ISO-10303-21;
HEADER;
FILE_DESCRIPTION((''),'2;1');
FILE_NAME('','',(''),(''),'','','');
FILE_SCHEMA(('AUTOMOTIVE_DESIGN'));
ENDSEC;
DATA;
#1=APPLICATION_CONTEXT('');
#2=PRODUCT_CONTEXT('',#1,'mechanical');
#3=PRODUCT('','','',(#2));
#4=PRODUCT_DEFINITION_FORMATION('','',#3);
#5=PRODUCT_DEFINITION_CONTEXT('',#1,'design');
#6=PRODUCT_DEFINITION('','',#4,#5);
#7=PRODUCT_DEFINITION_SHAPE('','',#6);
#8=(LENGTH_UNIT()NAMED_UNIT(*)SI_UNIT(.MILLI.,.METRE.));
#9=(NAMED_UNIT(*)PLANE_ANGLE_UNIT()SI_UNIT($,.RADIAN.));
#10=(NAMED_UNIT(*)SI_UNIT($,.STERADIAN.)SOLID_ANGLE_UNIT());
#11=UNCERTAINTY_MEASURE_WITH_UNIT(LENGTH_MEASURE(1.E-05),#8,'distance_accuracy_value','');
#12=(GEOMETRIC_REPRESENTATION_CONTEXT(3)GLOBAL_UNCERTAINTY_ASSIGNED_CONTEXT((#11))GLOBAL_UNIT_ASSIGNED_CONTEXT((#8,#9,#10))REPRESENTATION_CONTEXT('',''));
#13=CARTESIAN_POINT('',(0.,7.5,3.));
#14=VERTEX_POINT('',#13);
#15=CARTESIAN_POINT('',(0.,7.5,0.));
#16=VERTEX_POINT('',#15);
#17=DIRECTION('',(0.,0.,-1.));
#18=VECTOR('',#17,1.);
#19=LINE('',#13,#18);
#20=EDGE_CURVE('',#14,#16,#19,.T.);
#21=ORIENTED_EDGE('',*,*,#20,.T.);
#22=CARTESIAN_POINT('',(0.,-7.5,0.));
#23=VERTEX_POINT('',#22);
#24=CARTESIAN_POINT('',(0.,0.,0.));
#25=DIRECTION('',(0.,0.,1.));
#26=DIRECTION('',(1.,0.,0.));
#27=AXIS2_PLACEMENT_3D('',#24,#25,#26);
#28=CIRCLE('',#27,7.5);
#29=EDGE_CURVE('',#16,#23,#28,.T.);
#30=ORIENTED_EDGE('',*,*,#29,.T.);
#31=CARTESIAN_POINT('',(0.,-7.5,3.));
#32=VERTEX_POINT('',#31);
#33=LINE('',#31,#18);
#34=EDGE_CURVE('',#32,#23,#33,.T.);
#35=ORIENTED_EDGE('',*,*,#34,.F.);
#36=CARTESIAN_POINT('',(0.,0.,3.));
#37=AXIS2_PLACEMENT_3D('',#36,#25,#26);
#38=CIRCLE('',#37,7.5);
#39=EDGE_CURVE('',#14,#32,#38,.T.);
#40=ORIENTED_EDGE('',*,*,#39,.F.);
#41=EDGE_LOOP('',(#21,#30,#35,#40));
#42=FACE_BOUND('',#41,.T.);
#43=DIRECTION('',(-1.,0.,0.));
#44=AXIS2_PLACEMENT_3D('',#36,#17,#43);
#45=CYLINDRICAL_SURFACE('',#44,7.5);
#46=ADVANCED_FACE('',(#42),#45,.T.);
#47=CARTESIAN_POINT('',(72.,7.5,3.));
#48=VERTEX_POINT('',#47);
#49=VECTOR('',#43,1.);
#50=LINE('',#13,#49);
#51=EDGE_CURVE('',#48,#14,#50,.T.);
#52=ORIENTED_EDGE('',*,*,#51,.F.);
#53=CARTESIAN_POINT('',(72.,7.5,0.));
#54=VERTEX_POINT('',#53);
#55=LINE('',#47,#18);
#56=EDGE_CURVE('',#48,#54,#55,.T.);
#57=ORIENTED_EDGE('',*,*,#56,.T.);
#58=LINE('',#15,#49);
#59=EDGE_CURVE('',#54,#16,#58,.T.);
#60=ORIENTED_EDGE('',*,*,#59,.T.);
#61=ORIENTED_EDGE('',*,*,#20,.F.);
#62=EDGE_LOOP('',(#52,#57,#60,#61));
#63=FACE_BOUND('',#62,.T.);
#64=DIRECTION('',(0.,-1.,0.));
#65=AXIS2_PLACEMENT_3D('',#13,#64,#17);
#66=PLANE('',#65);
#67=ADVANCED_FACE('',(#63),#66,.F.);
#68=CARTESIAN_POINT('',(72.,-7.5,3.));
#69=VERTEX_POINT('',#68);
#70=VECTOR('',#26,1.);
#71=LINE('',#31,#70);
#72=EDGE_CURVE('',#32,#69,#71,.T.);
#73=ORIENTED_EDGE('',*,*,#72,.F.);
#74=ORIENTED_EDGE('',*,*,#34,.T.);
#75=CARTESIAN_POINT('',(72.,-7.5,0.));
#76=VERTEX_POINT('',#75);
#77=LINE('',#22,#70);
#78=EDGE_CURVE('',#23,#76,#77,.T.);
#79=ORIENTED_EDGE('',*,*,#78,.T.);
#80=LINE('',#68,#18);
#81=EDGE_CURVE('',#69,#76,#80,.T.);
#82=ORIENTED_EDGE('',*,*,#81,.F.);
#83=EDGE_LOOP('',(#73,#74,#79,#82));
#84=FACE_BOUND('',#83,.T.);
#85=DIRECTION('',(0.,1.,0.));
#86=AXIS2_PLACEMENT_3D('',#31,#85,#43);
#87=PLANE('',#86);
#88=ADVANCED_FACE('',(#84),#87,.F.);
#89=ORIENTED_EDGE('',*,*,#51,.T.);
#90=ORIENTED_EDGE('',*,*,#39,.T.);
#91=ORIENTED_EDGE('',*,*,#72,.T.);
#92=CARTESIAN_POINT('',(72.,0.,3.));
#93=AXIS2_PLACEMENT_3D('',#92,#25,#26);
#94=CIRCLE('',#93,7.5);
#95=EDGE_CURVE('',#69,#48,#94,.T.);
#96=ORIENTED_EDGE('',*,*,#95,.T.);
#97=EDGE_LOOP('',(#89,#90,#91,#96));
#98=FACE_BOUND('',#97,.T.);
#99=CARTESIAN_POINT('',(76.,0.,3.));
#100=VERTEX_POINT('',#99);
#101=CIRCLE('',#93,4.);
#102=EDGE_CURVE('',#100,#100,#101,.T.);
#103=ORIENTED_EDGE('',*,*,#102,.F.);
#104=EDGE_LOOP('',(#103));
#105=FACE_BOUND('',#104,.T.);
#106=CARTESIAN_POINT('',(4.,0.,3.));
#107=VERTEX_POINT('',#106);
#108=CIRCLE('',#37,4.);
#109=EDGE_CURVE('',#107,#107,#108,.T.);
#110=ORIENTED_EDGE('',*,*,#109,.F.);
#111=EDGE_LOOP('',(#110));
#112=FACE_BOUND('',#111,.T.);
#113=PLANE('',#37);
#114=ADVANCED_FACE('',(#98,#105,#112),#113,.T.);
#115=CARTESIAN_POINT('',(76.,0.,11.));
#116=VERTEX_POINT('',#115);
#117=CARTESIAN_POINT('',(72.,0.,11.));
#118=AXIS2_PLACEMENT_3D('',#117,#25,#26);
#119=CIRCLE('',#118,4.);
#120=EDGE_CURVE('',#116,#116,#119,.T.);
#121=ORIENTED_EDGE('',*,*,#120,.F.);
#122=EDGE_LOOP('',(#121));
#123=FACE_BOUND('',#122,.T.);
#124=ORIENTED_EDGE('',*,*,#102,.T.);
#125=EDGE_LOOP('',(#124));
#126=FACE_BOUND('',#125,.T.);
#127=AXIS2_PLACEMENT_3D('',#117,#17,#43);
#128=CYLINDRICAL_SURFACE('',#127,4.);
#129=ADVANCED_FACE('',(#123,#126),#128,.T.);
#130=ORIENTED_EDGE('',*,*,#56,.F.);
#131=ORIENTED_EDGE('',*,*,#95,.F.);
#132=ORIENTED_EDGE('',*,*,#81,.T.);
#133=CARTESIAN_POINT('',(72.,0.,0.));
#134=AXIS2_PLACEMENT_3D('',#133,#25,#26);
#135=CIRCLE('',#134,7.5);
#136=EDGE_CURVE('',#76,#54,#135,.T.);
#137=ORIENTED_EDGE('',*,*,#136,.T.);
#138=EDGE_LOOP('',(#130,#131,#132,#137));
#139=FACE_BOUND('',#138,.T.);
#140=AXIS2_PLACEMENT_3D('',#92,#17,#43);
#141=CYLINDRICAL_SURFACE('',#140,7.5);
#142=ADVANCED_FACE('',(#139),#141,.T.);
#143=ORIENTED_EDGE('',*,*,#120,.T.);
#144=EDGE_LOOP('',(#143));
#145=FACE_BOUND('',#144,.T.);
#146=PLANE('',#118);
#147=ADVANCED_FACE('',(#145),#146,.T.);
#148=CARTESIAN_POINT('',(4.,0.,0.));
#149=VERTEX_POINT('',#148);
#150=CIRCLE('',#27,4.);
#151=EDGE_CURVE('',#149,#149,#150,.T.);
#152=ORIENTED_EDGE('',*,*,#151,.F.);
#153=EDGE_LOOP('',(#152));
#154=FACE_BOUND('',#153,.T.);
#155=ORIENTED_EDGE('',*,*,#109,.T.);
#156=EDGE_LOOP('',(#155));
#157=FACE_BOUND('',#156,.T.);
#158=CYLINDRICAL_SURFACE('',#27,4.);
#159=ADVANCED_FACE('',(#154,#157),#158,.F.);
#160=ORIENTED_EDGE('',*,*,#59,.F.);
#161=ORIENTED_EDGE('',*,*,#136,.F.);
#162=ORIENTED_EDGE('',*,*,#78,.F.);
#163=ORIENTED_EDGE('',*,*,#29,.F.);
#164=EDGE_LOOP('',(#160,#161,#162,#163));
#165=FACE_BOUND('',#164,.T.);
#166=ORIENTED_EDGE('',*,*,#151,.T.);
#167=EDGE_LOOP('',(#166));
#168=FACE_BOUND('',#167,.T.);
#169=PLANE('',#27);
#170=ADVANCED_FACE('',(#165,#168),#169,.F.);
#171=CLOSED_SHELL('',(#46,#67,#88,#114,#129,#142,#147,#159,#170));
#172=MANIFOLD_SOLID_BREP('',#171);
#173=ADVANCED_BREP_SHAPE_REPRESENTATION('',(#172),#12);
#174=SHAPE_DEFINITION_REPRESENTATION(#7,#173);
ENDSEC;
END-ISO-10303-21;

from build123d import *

# Parameters (mm, degrees)
BOSS_EXTRUDE4_DEPTH = 3
SKETCH4_R           = 4
CUT_EXTRUDE1_DEPTH  = 80.909323611
SKETCH5_R           = 4
BOSS_EXTRUDE5_DEPTH = 8


with BuildPart() as part:
    # Sketch1 → Boss-Extrude4 (new body)
    with BuildSketch(Plane.XY):
        with BuildLine():
            Line((0, 7.5), (72, 7.5))
            ThreePointArc((72, 7.5), (79.5, 0), (72, -7.5))
            Line((72, -7.5), (0, -7.5))
            ThreePointArc((0, -7.5), (-7.5, 0), (0, 7.5))
        make_face()
    extrude(amount=BOSS_EXTRUDE4_DEPTH)

    # Sketch4 → Cut-Extrude1 (cut, through all)
    with BuildSketch(Plane.XY.offset(3)):
        Circle(SKETCH4_R)
    extrude(amount=-CUT_EXTRUDE1_DEPTH, mode=Mode.SUBTRACT)

    # Sketch5 → Boss-Extrude5 (add)
    with BuildSketch(Plane.XY.offset(3)):
        with Locations((72, 0)):
            Circle(SKETCH5_R)
    extrude(amount=BOSS_EXTRUDE5_DEPTH)


solid = part.part
